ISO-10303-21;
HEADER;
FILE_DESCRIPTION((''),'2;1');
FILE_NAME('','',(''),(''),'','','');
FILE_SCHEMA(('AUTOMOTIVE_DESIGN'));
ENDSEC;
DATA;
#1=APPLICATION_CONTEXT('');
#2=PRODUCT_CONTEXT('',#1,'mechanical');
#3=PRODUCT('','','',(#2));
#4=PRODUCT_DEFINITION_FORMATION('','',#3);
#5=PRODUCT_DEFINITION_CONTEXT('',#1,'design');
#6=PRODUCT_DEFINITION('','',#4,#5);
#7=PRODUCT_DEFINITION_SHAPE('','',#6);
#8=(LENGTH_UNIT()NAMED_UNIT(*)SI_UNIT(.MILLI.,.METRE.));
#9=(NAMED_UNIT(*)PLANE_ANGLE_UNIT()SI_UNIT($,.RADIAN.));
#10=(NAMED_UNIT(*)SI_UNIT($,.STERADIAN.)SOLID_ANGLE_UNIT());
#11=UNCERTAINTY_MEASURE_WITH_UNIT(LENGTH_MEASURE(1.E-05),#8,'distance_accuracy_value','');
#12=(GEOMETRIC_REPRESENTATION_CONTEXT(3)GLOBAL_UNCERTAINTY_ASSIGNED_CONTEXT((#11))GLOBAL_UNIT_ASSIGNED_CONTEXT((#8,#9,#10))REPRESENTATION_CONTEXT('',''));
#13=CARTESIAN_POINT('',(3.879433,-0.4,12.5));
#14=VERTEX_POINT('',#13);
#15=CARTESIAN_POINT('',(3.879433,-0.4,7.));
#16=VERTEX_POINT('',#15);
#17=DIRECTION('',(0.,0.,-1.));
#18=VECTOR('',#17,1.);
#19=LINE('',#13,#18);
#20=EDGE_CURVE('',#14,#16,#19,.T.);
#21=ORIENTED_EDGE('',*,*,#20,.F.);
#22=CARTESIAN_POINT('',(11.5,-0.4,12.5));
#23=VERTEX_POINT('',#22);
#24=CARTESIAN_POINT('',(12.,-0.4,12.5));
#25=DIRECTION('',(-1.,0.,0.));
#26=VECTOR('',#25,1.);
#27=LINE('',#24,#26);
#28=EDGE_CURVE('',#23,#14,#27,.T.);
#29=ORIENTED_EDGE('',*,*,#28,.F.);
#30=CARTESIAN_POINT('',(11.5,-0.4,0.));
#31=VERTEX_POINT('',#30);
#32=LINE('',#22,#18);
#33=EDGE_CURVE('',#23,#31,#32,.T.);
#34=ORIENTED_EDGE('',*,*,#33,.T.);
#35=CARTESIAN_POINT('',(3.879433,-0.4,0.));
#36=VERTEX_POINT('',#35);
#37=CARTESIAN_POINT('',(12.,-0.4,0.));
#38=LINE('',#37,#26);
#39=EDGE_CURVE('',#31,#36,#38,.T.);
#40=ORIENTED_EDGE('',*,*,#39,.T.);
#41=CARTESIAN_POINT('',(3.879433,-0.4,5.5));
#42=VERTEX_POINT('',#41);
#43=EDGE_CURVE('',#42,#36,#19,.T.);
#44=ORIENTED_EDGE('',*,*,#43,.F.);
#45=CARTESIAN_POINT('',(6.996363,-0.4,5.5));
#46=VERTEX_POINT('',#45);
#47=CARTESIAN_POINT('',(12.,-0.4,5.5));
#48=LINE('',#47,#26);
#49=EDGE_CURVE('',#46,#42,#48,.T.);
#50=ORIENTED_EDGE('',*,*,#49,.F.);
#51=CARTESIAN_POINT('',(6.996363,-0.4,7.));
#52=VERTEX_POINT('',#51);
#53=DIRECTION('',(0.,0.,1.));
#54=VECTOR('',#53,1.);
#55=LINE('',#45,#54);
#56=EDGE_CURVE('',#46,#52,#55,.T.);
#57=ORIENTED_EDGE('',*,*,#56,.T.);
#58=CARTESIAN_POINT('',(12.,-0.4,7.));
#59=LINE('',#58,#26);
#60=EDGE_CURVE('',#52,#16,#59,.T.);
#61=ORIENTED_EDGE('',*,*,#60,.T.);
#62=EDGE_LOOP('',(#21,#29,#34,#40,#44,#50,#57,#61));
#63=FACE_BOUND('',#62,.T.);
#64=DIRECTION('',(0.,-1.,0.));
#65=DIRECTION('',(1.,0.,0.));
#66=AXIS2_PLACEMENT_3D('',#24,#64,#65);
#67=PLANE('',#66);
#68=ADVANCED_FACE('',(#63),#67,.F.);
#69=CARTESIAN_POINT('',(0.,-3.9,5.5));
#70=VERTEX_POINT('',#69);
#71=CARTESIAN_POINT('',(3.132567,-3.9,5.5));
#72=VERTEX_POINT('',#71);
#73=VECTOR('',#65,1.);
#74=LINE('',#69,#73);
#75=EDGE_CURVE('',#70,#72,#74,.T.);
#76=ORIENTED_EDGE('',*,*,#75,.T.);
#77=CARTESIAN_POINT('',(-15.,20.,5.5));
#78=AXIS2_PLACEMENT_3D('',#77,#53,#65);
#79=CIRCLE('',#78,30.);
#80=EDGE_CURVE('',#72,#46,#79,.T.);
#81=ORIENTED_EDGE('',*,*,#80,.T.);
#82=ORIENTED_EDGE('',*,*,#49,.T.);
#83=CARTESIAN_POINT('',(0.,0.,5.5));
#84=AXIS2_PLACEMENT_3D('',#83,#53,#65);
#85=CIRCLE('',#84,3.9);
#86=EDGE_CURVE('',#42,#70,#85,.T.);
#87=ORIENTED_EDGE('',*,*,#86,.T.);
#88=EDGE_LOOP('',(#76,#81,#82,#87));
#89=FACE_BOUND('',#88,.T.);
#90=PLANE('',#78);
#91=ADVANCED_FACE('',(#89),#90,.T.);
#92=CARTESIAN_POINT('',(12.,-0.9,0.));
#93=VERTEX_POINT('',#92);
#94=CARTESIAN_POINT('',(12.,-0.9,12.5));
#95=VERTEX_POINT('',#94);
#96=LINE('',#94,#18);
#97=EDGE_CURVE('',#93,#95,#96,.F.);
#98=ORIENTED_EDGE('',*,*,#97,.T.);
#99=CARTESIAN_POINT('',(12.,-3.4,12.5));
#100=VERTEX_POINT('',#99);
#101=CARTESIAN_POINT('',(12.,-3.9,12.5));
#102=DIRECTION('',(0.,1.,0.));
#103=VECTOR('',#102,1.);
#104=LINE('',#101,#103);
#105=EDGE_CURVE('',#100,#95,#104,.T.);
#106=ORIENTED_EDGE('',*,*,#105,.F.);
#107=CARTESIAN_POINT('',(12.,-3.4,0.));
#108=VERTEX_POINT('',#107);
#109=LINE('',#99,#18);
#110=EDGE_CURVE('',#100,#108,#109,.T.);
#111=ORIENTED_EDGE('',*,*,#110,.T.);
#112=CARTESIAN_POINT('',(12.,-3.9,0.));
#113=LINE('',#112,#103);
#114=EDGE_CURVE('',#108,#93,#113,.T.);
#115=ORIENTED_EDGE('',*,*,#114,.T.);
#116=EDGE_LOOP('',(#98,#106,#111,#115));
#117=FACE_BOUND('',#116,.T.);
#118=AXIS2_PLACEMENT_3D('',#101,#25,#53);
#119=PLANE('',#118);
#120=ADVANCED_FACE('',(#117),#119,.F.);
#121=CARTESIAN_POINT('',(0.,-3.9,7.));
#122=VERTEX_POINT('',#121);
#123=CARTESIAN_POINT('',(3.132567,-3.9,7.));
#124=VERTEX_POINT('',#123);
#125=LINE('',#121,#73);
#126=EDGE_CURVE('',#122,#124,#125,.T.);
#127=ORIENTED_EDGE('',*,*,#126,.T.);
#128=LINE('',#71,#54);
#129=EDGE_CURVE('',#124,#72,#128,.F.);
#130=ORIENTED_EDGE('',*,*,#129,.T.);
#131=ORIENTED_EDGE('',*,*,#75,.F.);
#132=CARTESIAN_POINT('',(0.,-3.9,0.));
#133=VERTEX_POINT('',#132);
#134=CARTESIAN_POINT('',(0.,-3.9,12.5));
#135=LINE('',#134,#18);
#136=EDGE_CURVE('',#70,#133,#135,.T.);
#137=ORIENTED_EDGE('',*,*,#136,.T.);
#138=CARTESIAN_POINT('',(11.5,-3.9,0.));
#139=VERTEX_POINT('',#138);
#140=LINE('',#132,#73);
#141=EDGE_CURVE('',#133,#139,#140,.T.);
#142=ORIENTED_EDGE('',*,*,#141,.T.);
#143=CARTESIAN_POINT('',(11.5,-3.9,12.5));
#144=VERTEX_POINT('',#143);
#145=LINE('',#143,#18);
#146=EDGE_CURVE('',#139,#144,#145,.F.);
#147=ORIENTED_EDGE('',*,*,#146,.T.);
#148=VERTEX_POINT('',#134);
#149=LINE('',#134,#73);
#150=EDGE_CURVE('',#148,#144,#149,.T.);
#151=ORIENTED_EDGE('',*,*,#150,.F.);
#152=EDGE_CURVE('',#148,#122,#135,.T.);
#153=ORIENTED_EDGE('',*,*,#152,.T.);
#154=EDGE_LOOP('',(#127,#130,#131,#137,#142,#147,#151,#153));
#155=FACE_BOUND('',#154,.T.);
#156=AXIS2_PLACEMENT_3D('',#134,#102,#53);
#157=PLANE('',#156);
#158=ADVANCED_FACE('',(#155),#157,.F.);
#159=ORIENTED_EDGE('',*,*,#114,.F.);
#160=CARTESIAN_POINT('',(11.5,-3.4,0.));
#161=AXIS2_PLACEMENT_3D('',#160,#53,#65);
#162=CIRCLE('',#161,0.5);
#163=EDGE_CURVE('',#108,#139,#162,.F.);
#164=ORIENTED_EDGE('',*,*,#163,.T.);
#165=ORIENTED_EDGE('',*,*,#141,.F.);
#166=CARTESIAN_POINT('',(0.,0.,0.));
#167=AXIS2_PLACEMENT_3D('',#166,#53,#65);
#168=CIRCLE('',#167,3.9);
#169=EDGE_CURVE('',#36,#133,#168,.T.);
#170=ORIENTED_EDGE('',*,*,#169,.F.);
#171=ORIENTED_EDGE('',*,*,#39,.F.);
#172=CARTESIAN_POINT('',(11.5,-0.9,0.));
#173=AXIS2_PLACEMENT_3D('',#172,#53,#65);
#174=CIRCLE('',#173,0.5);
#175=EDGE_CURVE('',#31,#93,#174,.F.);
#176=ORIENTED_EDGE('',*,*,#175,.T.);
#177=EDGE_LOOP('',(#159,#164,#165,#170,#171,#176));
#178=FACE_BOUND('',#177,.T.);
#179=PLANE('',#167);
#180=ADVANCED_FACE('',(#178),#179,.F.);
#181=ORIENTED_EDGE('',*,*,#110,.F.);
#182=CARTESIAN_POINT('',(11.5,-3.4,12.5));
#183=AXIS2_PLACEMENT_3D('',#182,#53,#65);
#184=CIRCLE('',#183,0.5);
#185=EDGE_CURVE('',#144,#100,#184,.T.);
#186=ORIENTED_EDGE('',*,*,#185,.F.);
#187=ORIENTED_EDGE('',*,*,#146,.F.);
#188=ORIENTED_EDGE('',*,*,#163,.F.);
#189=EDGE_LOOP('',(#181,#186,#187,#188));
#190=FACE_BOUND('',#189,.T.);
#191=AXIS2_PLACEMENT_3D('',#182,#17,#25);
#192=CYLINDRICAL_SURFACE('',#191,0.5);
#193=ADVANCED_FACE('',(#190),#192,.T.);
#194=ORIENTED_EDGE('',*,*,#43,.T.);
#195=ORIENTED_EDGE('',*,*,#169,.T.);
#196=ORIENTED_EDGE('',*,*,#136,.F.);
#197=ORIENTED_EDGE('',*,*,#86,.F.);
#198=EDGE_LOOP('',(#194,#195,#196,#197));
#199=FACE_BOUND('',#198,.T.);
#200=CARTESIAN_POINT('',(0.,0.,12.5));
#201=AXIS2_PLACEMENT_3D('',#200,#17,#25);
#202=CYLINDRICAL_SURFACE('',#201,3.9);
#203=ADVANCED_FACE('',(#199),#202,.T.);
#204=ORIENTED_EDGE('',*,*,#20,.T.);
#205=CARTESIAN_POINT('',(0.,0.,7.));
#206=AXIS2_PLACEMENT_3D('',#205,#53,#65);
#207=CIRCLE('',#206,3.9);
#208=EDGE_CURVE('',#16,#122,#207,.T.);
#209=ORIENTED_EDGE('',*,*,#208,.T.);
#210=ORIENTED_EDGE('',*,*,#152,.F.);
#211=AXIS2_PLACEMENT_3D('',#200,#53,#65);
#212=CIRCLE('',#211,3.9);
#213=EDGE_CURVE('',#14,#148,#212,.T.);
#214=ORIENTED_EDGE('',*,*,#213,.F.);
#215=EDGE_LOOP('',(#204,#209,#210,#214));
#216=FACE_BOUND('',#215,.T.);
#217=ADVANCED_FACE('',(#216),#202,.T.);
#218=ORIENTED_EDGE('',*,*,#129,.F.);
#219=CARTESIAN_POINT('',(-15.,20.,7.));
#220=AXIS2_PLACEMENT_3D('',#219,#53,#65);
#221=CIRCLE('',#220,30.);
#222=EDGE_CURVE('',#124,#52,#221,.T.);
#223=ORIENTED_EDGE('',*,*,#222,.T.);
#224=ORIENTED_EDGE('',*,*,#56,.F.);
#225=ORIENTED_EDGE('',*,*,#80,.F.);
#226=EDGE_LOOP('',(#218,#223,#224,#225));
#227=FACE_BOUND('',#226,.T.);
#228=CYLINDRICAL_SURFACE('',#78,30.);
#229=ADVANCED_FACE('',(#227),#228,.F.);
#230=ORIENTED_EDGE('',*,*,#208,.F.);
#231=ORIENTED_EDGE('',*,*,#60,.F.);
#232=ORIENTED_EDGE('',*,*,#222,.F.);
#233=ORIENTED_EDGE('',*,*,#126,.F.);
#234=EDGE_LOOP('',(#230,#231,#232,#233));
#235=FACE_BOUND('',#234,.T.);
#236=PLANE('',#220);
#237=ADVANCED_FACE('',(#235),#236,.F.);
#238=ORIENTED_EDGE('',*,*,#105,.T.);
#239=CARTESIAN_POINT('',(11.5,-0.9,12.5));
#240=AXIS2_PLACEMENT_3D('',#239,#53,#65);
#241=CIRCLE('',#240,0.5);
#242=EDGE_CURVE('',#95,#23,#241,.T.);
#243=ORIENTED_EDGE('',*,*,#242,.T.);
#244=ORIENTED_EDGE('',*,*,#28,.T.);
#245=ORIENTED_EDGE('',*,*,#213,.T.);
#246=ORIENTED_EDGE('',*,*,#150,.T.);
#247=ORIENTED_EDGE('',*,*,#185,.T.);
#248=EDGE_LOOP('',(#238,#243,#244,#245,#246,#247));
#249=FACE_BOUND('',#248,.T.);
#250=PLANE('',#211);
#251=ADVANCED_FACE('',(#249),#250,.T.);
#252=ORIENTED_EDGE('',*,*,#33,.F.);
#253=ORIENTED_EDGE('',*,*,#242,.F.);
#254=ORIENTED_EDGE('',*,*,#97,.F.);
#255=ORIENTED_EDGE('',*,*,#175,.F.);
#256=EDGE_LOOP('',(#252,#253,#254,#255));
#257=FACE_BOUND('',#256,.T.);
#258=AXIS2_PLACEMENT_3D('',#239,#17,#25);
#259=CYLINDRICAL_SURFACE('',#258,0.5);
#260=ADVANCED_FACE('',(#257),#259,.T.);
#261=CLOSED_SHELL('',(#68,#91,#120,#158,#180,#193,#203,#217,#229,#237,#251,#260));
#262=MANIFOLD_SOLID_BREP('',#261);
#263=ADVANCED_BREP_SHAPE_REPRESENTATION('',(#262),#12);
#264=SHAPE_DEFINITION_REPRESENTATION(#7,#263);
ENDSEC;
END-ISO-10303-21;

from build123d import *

# Parameters (mm, degrees)
BASE_EXTRUSION_DEPTH    = 12.5
CONG_1_R                = 0.5
ESQUISSE2_R             = 30
ENL_V_MAT_EXTRU_1_DEPTH = 1.5


with BuildPart() as part:
    # Esquisse1 → Base-Extrusion (new body)
    with BuildSketch(Plane.XY):
        with BuildLine():
            Line((0, -3.9), (12, -3.9))
            Line((12, -3.9), (12, -0.4))
            Line((12, -0.4), (3.879432948, -0.4))
            ThreePointArc((3.879432948, -0.4), (-2.612470096, 2.895686447), (0, -3.9))
        make_face()
    extrude(amount=BASE_EXTRUSION_DEPTH)

    # Congé1
    cong_1_edges = [part.edges().sort_by_distance(p)[0] for p in [
        (12, -3.9, 6.25),
        (12, -0.4, 6.25),
    ]]
    fillet(cong_1_edges, radius=CONG_1_R)

    # Esquisse2 → Enlèv. mat.-Extru.1 (cut)
    with BuildSketch(Plane.XY.offset(7)):
        with Locations((-15, 20)):
            Circle(ESQUISSE2_R)
    extrude(amount=-ENL_V_MAT_EXTRU_1_DEPTH, mode=Mode.SUBTRACT)


solid = part.part
